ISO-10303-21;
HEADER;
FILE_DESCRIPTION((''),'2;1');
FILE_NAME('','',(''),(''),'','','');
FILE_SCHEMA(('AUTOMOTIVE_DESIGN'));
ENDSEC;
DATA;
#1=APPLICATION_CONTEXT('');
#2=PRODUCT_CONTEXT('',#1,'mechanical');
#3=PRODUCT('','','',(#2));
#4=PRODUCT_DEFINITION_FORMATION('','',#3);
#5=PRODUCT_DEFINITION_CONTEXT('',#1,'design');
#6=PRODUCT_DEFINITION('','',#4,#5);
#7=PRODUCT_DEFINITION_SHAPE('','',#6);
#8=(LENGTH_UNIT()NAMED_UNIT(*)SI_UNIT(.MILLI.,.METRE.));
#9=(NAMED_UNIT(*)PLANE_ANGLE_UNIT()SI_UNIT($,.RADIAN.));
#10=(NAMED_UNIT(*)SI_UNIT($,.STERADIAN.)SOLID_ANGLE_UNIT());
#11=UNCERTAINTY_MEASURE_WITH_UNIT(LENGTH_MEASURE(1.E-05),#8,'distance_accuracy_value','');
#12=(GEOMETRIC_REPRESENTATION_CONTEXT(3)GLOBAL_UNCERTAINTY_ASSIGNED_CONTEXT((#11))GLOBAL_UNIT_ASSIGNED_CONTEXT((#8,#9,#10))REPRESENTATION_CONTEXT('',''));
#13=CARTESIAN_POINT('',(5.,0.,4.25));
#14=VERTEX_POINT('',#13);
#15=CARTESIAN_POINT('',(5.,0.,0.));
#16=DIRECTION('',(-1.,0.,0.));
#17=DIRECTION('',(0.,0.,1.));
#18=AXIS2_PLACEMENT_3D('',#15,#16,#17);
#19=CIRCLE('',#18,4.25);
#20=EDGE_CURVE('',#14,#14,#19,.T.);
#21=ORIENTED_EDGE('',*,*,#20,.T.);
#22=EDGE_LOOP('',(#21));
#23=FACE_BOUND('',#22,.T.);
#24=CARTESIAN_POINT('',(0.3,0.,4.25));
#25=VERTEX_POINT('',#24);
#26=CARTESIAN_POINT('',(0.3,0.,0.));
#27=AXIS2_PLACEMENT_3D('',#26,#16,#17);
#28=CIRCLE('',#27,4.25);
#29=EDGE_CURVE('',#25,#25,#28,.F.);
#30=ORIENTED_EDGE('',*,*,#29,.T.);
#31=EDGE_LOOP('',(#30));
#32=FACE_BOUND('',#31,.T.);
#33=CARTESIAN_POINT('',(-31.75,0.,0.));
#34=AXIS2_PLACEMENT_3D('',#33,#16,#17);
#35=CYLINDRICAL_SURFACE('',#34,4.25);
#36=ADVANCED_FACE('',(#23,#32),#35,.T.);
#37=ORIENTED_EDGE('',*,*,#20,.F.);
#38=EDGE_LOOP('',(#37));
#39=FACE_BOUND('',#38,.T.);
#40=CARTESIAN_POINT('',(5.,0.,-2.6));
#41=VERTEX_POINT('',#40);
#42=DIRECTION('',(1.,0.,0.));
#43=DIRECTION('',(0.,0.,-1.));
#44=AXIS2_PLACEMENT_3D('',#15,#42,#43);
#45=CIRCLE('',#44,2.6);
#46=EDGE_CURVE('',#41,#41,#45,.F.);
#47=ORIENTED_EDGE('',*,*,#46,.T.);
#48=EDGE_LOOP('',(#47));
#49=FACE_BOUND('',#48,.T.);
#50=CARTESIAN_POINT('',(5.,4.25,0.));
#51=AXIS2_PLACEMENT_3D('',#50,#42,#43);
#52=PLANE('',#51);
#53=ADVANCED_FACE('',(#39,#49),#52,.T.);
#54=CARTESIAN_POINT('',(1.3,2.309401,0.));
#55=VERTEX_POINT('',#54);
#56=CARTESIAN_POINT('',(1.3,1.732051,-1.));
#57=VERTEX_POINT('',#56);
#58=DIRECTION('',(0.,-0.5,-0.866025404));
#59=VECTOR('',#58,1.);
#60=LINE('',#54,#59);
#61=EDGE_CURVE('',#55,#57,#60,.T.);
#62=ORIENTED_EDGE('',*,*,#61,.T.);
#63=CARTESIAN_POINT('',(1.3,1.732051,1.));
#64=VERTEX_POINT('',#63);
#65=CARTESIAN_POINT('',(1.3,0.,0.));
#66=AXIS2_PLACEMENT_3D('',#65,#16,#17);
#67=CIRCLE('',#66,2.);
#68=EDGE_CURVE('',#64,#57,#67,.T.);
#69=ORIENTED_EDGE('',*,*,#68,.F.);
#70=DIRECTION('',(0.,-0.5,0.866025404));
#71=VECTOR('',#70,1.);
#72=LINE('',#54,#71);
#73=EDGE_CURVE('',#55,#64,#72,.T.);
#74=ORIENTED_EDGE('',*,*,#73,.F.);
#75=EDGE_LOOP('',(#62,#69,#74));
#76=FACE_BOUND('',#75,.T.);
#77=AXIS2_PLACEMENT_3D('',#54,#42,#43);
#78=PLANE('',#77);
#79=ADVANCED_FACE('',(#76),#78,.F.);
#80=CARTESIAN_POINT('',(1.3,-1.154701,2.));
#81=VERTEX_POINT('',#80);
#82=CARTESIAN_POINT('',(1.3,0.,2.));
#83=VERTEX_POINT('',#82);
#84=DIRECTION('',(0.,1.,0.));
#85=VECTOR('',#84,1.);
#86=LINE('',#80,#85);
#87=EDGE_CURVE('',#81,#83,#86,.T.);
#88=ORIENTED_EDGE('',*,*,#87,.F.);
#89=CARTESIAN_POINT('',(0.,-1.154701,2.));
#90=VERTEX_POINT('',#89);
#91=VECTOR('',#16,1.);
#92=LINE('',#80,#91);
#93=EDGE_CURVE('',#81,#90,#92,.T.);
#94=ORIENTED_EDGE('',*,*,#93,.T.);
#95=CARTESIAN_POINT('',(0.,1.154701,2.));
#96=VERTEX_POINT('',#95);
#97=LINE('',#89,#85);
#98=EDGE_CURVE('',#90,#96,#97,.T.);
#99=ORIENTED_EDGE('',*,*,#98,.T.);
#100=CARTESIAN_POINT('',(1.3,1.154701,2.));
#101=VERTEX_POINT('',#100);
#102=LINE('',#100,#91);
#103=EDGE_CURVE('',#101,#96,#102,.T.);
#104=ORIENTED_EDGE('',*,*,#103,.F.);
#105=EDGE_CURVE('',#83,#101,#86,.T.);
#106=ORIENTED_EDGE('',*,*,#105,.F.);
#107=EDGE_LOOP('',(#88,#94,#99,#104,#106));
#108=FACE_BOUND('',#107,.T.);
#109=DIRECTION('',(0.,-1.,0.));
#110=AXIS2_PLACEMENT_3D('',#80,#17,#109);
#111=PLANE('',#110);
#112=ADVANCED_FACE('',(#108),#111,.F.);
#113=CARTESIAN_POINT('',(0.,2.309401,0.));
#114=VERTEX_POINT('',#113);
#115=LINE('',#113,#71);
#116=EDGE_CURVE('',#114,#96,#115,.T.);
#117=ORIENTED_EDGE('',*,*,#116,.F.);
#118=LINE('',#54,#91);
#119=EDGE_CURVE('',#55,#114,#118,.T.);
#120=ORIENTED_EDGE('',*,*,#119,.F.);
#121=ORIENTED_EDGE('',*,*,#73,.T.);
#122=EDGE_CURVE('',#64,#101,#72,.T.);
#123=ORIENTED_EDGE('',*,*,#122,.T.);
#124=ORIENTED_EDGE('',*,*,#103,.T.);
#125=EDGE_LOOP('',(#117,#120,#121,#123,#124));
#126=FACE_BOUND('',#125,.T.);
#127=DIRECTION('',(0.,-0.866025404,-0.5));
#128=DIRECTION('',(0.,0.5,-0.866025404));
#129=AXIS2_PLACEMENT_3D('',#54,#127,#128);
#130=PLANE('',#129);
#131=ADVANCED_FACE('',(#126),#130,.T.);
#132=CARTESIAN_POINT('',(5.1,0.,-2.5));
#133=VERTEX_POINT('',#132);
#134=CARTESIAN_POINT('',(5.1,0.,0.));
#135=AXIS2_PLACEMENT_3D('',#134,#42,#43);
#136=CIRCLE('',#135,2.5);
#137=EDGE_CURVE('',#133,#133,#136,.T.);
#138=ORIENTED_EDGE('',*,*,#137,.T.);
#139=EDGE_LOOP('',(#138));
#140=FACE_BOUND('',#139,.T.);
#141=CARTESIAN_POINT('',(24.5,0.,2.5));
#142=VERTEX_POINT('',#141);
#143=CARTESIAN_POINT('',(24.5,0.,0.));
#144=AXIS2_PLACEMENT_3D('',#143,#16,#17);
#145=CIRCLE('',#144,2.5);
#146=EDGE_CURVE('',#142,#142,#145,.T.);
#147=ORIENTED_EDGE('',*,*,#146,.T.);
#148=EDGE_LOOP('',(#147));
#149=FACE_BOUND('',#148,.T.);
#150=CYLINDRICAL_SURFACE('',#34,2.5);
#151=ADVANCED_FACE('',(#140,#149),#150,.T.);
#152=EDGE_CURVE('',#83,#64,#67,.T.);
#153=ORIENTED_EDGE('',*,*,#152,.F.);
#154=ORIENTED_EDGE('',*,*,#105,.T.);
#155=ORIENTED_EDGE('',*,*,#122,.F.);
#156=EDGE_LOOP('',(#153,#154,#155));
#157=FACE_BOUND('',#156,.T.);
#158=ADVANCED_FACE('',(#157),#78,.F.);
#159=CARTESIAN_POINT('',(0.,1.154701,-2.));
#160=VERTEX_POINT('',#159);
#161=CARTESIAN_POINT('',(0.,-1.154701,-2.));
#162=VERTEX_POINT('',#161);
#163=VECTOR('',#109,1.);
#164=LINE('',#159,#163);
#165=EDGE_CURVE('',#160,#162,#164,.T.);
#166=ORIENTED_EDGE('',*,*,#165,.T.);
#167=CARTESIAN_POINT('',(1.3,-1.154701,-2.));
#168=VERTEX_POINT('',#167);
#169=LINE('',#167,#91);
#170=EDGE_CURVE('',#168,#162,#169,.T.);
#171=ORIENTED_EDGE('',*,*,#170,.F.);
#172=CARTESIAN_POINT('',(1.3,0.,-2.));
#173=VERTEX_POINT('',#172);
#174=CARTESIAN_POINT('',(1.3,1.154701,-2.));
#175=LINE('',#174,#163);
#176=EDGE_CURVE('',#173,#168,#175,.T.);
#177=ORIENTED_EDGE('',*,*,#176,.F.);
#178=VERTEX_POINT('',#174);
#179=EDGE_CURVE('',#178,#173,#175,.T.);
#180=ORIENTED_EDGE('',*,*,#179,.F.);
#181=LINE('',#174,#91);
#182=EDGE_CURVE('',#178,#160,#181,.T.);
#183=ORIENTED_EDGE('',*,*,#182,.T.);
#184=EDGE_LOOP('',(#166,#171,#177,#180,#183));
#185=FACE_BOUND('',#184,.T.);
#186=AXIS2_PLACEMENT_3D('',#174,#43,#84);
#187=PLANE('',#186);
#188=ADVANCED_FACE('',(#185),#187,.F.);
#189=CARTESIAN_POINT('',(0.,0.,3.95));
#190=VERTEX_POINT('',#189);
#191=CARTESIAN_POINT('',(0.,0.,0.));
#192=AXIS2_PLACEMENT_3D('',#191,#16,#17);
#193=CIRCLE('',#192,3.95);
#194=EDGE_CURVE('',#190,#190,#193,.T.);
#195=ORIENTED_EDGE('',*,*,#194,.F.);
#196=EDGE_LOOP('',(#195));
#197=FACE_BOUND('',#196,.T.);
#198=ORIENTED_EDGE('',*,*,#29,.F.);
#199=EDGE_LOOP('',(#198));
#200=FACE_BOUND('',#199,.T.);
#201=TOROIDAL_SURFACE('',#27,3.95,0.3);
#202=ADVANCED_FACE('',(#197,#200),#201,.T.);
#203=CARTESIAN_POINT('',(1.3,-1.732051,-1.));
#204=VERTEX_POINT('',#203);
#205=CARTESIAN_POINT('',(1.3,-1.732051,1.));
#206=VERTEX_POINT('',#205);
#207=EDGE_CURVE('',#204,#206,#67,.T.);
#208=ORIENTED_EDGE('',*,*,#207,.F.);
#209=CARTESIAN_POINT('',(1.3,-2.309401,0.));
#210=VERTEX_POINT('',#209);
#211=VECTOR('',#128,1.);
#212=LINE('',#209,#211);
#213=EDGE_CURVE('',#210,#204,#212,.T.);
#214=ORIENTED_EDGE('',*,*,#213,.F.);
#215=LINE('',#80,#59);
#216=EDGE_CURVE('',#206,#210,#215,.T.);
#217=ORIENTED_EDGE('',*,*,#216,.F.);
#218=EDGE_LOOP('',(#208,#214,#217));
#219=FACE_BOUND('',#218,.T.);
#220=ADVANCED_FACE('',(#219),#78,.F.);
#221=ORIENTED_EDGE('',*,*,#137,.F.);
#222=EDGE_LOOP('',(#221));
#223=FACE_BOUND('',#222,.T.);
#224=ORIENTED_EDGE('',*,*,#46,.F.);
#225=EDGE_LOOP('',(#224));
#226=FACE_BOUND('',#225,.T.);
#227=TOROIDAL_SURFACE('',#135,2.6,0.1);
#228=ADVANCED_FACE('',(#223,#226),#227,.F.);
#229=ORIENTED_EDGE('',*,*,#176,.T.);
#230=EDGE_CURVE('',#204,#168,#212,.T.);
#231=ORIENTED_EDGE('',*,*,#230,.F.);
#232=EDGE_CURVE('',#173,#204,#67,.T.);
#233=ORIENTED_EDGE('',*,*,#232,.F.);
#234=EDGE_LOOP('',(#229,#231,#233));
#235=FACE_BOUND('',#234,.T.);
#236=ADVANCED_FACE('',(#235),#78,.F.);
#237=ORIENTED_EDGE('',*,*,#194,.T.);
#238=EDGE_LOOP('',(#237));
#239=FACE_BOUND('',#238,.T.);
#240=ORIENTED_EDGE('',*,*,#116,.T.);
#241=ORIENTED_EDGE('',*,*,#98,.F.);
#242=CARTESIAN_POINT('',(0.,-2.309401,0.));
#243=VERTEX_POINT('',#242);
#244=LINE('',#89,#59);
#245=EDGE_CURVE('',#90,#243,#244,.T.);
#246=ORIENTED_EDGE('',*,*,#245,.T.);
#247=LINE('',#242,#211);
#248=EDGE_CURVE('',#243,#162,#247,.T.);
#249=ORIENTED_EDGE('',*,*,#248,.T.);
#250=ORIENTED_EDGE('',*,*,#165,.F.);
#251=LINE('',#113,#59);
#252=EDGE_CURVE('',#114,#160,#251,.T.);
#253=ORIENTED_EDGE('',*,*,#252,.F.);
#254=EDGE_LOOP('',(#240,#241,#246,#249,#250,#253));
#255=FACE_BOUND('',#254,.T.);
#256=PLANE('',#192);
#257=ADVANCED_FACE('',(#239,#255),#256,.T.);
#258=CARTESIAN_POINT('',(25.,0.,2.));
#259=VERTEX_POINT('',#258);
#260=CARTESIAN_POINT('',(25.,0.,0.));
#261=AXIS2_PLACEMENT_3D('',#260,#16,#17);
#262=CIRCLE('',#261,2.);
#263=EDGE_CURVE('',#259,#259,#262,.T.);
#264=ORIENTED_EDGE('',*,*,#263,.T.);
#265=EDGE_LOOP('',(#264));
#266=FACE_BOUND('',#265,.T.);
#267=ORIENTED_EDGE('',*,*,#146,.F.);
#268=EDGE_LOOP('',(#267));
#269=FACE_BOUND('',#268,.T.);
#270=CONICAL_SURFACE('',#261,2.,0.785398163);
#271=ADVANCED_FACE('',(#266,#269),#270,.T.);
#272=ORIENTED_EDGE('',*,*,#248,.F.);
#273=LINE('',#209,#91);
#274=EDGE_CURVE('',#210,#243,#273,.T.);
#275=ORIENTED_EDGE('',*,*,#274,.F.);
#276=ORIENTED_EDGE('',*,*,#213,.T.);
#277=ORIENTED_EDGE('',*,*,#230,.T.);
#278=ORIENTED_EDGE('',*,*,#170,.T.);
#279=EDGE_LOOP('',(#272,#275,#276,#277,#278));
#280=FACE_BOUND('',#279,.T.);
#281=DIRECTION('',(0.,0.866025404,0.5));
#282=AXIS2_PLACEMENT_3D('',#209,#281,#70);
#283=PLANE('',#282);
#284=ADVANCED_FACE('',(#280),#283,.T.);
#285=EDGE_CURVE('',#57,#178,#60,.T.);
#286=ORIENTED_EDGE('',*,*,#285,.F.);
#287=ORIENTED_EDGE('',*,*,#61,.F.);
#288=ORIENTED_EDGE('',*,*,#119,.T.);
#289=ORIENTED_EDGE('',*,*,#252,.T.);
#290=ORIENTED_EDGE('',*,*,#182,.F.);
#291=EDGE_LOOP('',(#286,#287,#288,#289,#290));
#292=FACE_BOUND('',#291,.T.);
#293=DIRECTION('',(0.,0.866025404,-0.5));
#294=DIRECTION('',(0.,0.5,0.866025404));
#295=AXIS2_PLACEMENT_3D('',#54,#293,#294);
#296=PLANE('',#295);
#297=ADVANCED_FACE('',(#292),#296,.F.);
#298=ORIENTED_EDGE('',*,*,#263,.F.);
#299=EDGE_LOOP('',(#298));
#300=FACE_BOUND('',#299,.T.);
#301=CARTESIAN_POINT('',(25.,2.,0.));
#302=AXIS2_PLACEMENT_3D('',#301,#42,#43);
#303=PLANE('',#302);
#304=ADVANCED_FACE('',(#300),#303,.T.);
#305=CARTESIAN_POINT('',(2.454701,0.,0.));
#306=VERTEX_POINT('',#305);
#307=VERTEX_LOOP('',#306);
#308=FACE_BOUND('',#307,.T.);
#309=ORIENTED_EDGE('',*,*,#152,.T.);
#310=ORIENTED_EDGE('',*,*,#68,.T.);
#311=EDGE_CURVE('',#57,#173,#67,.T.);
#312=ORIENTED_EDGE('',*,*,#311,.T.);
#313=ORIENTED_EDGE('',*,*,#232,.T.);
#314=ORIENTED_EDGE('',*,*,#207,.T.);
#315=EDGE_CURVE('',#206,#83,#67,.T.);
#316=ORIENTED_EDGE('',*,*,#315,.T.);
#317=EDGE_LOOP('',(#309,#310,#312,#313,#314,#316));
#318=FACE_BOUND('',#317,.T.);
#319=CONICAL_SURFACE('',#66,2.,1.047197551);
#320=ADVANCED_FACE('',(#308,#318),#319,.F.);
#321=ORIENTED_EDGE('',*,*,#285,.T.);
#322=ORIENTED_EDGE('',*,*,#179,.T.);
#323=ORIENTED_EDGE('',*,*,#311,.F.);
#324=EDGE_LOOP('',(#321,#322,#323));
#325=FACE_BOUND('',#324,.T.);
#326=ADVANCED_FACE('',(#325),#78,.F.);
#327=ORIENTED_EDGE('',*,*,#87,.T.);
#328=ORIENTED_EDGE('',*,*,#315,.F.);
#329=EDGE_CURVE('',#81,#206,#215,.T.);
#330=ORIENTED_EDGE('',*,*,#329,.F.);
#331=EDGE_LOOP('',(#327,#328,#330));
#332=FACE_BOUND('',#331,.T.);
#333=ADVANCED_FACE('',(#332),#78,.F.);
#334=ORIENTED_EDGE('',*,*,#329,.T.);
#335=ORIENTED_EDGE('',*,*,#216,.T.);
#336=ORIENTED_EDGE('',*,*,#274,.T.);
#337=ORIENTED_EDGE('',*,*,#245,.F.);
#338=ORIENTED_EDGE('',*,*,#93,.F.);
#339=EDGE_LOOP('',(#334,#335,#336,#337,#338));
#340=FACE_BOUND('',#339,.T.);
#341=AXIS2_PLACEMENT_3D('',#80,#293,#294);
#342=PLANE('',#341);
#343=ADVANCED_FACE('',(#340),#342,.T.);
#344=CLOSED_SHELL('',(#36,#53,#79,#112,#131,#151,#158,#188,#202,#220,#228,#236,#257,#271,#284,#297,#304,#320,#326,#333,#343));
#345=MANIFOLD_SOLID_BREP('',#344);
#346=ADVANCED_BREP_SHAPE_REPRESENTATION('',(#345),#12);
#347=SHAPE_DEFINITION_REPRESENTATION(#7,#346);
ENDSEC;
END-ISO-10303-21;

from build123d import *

# Parameters (mm, degrees)
FILLET1_R   = 0.1
FILLET2_R   = 0.3
HEX_2_DEPTH = 1.3


with BuildPart() as part:
    # BodySke → Base-Revolve (revolve)
    with BuildSketch(Plane.XY):
        Polygon((0, 0), (0, 4.25), (5, 4.25), (5, 2.5), (24.5, 2.5), (25, 2), (25, 0), align=None)
    revolve(axis=Axis((-31.75, 0, 0), (1, 0, 0)))

    # Fillet1
    fillet1_edges = [part.edges().sort_by_distance(p)[0] for p in [
        (5, -2.5, 0),
    ]]
    fillet(fillet1_edges, radius=FILLET1_R)

    # Fillet2
    fillet2_edges = [part.edges().sort_by_distance(p)[0] for p in [
        (0, -4.25, 0),
    ]]
    fillet(fillet2_edges, radius=FILLET2_R)

    # Sketch2 → Hex-PreBroach (revolve, cut)
    with BuildSketch(Plane.XY):
        Polygon((0, 2), (1.3, 2), (2.454700538, 0), (0, 0), align=None)
    revolve(axis=Axis((0, 0, 0), (1, 0, 0)), mode=Mode.SUBTRACT)

    # Sketch3 → Hex 2 (cut)
    with BuildSketch(Plane(origin=(0, 0, 0), x_dir=(0, 0.5, 0.866025404), z_dir=(-1, 0, 0))):
        Polygon((1.154700538, 2), (-1.154700538, 2), (-2.309401077, 0), (-1.154700538, -2), (1.154700538, -2), (2.309401077, 0), align=None)
    extrude(amount=-HEX_2_DEPTH, mode=Mode.SUBTRACT)


solid = part.part
